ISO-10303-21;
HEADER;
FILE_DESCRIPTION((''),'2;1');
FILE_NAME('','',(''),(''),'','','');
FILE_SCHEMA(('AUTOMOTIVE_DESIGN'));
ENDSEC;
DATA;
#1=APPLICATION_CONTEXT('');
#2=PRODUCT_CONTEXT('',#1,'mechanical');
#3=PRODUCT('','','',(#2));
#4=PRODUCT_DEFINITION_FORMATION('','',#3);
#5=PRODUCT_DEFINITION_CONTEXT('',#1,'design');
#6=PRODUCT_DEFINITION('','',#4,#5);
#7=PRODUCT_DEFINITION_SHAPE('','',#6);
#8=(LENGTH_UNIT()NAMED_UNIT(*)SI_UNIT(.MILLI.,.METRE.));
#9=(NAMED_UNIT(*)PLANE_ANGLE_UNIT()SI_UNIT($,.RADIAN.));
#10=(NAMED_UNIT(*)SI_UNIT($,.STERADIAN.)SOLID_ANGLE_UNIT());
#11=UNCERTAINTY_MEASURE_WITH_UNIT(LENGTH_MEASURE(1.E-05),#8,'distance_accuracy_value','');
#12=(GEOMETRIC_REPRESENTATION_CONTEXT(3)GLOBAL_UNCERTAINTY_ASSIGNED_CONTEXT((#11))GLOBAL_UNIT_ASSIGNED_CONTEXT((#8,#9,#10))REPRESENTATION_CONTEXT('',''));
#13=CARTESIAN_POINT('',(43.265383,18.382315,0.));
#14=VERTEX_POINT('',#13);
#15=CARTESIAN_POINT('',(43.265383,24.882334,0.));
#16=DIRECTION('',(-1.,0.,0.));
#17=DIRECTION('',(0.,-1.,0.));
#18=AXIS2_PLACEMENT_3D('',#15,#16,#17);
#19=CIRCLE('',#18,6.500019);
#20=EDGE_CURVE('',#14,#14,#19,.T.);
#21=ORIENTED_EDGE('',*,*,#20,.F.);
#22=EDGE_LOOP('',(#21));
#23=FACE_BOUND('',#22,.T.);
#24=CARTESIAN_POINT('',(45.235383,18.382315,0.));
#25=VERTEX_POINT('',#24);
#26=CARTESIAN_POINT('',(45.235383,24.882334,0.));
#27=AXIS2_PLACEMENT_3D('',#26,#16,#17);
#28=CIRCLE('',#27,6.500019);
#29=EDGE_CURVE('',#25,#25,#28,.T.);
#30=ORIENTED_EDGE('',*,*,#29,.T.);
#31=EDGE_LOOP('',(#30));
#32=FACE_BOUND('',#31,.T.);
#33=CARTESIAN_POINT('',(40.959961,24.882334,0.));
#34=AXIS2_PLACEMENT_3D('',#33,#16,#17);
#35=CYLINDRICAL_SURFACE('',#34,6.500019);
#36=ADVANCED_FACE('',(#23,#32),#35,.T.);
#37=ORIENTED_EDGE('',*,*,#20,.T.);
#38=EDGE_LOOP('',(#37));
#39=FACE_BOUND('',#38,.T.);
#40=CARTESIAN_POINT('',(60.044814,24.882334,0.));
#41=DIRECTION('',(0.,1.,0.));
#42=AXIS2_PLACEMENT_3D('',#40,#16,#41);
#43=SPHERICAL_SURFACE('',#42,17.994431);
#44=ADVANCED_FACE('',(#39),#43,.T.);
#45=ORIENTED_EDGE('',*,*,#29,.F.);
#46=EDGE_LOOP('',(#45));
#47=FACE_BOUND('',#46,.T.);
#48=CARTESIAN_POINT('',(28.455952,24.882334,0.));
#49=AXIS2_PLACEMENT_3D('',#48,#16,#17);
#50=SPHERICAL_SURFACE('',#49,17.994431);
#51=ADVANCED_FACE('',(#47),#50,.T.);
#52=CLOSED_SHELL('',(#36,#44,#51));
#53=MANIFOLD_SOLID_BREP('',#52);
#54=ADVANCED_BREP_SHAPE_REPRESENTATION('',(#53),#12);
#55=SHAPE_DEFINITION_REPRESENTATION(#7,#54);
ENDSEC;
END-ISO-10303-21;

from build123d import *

# Parameters (mm, degrees)
SKETCH_1_ONE_SIDE_W = 1.97
SKETCH_1_ONE_SIDE_H = 6.500018572


with BuildPart() as part:
    # 草图1 one side → 旋转1 (revolve)
    with BuildSketch(Plane.XY, mode=Mode.PRIVATE) as revolve_1_sk:
        with Locations((44.250383086, 28.132342949)):
            Rectangle(SKETCH_1_ONE_SIDE_W, SKETCH_1_ONE_SIDE_H)
        with BuildLine():
            Line((42.050383086, 24.882333663), (43.265383086, 24.882333663))
            Line((43.265383086, 24.882333663), (43.265383086, 31.382352235))
            ThreePointArc((43.265383086, 31.382352235), (42.356740981, 28.188633197), (42.050383086, 24.882333663))
        make_face()
        with BuildLine():
            Line((45.235383086, 24.882333663), (46.450383086, 24.882333663))
            ThreePointArc((46.450383086, 24.882333663), (46.144025191, 28.188633197), (45.235383086, 31.382352235))
            Line((45.235383086, 31.382352235), (45.235383086, 24.882333663))
        make_face()
    revolve(revolve_1_sk.sketch.rotate(Axis((40.9599614, 24.882333663, 0), (1, 0, 0)), 180), axis=Axis((40.9599614, 24.882333663, 0), (1, 0, 0)))  # turned: the seam where the file's is


solid = part.part
